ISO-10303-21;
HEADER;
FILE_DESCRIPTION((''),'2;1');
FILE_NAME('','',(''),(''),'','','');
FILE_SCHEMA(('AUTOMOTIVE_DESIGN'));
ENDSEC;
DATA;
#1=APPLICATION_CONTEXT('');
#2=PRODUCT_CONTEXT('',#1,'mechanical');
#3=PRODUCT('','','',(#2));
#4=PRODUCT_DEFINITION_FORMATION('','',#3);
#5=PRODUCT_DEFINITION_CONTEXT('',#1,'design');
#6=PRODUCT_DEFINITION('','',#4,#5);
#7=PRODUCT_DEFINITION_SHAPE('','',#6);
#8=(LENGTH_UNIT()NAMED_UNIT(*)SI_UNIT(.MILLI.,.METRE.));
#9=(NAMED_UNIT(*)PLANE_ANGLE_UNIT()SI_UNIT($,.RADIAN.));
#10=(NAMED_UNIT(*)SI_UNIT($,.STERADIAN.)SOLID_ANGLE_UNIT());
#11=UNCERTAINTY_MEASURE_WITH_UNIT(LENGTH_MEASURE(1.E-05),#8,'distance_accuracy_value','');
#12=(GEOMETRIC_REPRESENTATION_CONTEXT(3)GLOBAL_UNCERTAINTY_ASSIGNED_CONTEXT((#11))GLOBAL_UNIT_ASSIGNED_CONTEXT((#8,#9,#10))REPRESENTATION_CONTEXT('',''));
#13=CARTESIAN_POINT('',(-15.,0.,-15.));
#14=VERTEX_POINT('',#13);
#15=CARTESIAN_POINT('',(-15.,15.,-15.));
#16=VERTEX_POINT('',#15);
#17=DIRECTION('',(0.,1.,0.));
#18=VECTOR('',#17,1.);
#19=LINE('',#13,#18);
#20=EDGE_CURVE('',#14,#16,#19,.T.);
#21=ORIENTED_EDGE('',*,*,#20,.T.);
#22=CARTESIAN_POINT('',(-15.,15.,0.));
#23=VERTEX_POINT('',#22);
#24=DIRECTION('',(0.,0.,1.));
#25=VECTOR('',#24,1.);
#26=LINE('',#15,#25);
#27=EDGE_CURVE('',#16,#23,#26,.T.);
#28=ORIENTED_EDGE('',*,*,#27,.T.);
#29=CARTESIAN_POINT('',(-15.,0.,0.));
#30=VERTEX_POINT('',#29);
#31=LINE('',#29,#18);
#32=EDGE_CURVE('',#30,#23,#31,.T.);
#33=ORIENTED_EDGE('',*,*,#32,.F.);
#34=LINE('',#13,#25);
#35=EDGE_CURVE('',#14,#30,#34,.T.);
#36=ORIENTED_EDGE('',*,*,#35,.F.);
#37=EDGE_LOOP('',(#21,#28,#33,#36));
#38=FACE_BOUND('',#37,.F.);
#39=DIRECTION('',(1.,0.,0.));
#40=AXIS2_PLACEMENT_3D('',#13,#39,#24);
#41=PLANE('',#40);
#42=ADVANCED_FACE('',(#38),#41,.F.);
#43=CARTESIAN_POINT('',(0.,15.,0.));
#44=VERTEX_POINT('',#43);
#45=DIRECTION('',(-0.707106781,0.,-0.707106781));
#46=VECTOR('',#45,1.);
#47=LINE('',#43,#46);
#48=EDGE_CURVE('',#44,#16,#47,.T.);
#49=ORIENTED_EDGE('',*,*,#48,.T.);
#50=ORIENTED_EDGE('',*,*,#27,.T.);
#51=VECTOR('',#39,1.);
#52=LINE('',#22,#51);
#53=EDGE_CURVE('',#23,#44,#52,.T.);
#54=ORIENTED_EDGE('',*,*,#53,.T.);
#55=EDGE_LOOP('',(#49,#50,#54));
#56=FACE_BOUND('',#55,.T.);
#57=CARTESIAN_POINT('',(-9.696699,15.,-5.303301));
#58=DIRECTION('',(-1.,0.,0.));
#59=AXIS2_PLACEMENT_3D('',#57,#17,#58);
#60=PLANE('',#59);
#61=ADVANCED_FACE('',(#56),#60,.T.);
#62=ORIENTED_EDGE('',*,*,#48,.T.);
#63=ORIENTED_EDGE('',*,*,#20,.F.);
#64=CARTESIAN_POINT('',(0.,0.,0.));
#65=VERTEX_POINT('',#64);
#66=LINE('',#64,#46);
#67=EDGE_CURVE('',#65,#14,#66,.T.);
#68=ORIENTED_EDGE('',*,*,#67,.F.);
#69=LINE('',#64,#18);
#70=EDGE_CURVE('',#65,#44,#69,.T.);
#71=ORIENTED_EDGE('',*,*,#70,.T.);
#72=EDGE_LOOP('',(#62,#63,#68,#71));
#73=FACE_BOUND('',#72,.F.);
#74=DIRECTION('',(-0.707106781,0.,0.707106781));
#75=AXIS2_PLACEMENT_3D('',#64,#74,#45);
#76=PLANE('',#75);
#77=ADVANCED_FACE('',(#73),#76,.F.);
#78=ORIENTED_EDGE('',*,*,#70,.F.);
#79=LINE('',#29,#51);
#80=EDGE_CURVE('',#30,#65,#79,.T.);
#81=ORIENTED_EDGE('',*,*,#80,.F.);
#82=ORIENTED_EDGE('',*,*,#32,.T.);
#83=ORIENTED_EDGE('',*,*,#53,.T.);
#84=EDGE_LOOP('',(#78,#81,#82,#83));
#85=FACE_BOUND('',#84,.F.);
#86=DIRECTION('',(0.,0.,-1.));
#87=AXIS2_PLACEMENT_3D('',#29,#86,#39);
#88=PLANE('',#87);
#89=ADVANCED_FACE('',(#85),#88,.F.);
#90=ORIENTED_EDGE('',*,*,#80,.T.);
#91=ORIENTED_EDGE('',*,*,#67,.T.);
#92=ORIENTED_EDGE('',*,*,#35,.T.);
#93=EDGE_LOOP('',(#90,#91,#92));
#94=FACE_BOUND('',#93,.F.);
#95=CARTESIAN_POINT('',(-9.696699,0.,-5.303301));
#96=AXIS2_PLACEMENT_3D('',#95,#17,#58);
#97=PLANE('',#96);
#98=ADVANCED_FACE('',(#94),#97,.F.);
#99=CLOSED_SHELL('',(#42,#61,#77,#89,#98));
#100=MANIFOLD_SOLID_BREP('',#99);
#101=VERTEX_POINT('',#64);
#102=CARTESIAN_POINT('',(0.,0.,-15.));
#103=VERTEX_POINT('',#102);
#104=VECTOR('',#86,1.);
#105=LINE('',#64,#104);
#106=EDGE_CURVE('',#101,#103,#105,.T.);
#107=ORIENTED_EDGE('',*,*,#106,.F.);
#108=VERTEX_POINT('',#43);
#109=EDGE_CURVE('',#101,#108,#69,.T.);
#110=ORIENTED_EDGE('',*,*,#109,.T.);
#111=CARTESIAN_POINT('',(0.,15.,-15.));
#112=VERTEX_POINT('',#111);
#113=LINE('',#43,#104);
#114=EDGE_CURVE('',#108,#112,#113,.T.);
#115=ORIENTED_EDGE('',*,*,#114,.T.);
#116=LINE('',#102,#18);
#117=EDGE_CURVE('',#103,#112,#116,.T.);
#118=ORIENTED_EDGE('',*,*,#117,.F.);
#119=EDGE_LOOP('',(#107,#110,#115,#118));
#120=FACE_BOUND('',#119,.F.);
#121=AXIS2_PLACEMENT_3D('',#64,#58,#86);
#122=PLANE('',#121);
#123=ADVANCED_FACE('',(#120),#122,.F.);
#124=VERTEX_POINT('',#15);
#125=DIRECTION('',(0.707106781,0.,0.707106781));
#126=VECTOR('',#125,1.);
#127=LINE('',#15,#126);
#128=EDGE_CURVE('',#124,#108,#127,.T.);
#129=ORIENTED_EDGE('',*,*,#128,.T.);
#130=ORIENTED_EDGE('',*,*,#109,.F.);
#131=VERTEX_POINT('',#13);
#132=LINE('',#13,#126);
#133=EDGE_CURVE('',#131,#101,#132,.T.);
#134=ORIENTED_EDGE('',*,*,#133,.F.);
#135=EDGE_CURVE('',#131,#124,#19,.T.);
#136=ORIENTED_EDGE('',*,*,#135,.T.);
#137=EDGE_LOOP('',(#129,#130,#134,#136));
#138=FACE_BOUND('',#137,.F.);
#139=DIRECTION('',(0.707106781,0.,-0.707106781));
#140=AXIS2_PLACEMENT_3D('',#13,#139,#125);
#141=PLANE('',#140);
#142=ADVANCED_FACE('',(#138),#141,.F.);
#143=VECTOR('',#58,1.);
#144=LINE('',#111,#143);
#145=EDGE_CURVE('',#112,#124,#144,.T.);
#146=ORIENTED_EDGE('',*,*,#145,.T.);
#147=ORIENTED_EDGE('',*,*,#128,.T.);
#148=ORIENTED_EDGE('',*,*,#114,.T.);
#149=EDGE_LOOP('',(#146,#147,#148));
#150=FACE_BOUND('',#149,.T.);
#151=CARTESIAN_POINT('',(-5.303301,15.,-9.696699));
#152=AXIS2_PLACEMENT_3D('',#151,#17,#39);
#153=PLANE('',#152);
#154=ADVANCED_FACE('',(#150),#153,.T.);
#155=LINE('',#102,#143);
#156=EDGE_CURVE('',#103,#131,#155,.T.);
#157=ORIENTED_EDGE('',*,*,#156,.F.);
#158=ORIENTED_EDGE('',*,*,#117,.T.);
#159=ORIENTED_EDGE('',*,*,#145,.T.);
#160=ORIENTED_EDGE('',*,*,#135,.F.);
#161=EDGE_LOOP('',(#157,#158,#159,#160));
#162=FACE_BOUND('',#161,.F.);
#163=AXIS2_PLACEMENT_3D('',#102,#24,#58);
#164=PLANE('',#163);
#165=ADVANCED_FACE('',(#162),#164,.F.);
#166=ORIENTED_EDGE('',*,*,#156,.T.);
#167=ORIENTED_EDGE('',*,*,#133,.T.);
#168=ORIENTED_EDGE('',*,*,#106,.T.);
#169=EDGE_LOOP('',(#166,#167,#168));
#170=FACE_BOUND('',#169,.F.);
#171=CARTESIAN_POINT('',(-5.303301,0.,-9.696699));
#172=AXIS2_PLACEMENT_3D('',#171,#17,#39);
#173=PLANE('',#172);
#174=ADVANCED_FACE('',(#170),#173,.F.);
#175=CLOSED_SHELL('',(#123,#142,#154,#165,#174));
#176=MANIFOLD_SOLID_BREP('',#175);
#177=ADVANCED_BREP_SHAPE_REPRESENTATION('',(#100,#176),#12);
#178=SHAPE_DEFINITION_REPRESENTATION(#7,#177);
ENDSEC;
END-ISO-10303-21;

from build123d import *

# Parameters (mm, degrees)
EXTRUDE_1_DEPTH = 15
EXTRUDE_2_DEPTH = 15


with BuildPart() as part:
    # 草图1 → 凸台-拉伸1 (new body)
    with BuildSketch(Plane(origin=(0, 0, 0), x_dir=(1, 0, 0), z_dir=(0, 1, 0))):
        Polygon((0, 0), (0, 15), (-15, 15), align=None)
    extrude(amount=EXTRUDE_1_DEPTH)


with BuildPart() as body_2:
    # 草图2 → 凸台-拉伸2 (new body)
    with BuildSketch(Plane.XZ):
        Polygon((-15, -15), (-15, 0), (0, 0), align=None)
    extrude(amount=-EXTRUDE_2_DEPTH)


solid = Compound([part.part, body_2.part])
